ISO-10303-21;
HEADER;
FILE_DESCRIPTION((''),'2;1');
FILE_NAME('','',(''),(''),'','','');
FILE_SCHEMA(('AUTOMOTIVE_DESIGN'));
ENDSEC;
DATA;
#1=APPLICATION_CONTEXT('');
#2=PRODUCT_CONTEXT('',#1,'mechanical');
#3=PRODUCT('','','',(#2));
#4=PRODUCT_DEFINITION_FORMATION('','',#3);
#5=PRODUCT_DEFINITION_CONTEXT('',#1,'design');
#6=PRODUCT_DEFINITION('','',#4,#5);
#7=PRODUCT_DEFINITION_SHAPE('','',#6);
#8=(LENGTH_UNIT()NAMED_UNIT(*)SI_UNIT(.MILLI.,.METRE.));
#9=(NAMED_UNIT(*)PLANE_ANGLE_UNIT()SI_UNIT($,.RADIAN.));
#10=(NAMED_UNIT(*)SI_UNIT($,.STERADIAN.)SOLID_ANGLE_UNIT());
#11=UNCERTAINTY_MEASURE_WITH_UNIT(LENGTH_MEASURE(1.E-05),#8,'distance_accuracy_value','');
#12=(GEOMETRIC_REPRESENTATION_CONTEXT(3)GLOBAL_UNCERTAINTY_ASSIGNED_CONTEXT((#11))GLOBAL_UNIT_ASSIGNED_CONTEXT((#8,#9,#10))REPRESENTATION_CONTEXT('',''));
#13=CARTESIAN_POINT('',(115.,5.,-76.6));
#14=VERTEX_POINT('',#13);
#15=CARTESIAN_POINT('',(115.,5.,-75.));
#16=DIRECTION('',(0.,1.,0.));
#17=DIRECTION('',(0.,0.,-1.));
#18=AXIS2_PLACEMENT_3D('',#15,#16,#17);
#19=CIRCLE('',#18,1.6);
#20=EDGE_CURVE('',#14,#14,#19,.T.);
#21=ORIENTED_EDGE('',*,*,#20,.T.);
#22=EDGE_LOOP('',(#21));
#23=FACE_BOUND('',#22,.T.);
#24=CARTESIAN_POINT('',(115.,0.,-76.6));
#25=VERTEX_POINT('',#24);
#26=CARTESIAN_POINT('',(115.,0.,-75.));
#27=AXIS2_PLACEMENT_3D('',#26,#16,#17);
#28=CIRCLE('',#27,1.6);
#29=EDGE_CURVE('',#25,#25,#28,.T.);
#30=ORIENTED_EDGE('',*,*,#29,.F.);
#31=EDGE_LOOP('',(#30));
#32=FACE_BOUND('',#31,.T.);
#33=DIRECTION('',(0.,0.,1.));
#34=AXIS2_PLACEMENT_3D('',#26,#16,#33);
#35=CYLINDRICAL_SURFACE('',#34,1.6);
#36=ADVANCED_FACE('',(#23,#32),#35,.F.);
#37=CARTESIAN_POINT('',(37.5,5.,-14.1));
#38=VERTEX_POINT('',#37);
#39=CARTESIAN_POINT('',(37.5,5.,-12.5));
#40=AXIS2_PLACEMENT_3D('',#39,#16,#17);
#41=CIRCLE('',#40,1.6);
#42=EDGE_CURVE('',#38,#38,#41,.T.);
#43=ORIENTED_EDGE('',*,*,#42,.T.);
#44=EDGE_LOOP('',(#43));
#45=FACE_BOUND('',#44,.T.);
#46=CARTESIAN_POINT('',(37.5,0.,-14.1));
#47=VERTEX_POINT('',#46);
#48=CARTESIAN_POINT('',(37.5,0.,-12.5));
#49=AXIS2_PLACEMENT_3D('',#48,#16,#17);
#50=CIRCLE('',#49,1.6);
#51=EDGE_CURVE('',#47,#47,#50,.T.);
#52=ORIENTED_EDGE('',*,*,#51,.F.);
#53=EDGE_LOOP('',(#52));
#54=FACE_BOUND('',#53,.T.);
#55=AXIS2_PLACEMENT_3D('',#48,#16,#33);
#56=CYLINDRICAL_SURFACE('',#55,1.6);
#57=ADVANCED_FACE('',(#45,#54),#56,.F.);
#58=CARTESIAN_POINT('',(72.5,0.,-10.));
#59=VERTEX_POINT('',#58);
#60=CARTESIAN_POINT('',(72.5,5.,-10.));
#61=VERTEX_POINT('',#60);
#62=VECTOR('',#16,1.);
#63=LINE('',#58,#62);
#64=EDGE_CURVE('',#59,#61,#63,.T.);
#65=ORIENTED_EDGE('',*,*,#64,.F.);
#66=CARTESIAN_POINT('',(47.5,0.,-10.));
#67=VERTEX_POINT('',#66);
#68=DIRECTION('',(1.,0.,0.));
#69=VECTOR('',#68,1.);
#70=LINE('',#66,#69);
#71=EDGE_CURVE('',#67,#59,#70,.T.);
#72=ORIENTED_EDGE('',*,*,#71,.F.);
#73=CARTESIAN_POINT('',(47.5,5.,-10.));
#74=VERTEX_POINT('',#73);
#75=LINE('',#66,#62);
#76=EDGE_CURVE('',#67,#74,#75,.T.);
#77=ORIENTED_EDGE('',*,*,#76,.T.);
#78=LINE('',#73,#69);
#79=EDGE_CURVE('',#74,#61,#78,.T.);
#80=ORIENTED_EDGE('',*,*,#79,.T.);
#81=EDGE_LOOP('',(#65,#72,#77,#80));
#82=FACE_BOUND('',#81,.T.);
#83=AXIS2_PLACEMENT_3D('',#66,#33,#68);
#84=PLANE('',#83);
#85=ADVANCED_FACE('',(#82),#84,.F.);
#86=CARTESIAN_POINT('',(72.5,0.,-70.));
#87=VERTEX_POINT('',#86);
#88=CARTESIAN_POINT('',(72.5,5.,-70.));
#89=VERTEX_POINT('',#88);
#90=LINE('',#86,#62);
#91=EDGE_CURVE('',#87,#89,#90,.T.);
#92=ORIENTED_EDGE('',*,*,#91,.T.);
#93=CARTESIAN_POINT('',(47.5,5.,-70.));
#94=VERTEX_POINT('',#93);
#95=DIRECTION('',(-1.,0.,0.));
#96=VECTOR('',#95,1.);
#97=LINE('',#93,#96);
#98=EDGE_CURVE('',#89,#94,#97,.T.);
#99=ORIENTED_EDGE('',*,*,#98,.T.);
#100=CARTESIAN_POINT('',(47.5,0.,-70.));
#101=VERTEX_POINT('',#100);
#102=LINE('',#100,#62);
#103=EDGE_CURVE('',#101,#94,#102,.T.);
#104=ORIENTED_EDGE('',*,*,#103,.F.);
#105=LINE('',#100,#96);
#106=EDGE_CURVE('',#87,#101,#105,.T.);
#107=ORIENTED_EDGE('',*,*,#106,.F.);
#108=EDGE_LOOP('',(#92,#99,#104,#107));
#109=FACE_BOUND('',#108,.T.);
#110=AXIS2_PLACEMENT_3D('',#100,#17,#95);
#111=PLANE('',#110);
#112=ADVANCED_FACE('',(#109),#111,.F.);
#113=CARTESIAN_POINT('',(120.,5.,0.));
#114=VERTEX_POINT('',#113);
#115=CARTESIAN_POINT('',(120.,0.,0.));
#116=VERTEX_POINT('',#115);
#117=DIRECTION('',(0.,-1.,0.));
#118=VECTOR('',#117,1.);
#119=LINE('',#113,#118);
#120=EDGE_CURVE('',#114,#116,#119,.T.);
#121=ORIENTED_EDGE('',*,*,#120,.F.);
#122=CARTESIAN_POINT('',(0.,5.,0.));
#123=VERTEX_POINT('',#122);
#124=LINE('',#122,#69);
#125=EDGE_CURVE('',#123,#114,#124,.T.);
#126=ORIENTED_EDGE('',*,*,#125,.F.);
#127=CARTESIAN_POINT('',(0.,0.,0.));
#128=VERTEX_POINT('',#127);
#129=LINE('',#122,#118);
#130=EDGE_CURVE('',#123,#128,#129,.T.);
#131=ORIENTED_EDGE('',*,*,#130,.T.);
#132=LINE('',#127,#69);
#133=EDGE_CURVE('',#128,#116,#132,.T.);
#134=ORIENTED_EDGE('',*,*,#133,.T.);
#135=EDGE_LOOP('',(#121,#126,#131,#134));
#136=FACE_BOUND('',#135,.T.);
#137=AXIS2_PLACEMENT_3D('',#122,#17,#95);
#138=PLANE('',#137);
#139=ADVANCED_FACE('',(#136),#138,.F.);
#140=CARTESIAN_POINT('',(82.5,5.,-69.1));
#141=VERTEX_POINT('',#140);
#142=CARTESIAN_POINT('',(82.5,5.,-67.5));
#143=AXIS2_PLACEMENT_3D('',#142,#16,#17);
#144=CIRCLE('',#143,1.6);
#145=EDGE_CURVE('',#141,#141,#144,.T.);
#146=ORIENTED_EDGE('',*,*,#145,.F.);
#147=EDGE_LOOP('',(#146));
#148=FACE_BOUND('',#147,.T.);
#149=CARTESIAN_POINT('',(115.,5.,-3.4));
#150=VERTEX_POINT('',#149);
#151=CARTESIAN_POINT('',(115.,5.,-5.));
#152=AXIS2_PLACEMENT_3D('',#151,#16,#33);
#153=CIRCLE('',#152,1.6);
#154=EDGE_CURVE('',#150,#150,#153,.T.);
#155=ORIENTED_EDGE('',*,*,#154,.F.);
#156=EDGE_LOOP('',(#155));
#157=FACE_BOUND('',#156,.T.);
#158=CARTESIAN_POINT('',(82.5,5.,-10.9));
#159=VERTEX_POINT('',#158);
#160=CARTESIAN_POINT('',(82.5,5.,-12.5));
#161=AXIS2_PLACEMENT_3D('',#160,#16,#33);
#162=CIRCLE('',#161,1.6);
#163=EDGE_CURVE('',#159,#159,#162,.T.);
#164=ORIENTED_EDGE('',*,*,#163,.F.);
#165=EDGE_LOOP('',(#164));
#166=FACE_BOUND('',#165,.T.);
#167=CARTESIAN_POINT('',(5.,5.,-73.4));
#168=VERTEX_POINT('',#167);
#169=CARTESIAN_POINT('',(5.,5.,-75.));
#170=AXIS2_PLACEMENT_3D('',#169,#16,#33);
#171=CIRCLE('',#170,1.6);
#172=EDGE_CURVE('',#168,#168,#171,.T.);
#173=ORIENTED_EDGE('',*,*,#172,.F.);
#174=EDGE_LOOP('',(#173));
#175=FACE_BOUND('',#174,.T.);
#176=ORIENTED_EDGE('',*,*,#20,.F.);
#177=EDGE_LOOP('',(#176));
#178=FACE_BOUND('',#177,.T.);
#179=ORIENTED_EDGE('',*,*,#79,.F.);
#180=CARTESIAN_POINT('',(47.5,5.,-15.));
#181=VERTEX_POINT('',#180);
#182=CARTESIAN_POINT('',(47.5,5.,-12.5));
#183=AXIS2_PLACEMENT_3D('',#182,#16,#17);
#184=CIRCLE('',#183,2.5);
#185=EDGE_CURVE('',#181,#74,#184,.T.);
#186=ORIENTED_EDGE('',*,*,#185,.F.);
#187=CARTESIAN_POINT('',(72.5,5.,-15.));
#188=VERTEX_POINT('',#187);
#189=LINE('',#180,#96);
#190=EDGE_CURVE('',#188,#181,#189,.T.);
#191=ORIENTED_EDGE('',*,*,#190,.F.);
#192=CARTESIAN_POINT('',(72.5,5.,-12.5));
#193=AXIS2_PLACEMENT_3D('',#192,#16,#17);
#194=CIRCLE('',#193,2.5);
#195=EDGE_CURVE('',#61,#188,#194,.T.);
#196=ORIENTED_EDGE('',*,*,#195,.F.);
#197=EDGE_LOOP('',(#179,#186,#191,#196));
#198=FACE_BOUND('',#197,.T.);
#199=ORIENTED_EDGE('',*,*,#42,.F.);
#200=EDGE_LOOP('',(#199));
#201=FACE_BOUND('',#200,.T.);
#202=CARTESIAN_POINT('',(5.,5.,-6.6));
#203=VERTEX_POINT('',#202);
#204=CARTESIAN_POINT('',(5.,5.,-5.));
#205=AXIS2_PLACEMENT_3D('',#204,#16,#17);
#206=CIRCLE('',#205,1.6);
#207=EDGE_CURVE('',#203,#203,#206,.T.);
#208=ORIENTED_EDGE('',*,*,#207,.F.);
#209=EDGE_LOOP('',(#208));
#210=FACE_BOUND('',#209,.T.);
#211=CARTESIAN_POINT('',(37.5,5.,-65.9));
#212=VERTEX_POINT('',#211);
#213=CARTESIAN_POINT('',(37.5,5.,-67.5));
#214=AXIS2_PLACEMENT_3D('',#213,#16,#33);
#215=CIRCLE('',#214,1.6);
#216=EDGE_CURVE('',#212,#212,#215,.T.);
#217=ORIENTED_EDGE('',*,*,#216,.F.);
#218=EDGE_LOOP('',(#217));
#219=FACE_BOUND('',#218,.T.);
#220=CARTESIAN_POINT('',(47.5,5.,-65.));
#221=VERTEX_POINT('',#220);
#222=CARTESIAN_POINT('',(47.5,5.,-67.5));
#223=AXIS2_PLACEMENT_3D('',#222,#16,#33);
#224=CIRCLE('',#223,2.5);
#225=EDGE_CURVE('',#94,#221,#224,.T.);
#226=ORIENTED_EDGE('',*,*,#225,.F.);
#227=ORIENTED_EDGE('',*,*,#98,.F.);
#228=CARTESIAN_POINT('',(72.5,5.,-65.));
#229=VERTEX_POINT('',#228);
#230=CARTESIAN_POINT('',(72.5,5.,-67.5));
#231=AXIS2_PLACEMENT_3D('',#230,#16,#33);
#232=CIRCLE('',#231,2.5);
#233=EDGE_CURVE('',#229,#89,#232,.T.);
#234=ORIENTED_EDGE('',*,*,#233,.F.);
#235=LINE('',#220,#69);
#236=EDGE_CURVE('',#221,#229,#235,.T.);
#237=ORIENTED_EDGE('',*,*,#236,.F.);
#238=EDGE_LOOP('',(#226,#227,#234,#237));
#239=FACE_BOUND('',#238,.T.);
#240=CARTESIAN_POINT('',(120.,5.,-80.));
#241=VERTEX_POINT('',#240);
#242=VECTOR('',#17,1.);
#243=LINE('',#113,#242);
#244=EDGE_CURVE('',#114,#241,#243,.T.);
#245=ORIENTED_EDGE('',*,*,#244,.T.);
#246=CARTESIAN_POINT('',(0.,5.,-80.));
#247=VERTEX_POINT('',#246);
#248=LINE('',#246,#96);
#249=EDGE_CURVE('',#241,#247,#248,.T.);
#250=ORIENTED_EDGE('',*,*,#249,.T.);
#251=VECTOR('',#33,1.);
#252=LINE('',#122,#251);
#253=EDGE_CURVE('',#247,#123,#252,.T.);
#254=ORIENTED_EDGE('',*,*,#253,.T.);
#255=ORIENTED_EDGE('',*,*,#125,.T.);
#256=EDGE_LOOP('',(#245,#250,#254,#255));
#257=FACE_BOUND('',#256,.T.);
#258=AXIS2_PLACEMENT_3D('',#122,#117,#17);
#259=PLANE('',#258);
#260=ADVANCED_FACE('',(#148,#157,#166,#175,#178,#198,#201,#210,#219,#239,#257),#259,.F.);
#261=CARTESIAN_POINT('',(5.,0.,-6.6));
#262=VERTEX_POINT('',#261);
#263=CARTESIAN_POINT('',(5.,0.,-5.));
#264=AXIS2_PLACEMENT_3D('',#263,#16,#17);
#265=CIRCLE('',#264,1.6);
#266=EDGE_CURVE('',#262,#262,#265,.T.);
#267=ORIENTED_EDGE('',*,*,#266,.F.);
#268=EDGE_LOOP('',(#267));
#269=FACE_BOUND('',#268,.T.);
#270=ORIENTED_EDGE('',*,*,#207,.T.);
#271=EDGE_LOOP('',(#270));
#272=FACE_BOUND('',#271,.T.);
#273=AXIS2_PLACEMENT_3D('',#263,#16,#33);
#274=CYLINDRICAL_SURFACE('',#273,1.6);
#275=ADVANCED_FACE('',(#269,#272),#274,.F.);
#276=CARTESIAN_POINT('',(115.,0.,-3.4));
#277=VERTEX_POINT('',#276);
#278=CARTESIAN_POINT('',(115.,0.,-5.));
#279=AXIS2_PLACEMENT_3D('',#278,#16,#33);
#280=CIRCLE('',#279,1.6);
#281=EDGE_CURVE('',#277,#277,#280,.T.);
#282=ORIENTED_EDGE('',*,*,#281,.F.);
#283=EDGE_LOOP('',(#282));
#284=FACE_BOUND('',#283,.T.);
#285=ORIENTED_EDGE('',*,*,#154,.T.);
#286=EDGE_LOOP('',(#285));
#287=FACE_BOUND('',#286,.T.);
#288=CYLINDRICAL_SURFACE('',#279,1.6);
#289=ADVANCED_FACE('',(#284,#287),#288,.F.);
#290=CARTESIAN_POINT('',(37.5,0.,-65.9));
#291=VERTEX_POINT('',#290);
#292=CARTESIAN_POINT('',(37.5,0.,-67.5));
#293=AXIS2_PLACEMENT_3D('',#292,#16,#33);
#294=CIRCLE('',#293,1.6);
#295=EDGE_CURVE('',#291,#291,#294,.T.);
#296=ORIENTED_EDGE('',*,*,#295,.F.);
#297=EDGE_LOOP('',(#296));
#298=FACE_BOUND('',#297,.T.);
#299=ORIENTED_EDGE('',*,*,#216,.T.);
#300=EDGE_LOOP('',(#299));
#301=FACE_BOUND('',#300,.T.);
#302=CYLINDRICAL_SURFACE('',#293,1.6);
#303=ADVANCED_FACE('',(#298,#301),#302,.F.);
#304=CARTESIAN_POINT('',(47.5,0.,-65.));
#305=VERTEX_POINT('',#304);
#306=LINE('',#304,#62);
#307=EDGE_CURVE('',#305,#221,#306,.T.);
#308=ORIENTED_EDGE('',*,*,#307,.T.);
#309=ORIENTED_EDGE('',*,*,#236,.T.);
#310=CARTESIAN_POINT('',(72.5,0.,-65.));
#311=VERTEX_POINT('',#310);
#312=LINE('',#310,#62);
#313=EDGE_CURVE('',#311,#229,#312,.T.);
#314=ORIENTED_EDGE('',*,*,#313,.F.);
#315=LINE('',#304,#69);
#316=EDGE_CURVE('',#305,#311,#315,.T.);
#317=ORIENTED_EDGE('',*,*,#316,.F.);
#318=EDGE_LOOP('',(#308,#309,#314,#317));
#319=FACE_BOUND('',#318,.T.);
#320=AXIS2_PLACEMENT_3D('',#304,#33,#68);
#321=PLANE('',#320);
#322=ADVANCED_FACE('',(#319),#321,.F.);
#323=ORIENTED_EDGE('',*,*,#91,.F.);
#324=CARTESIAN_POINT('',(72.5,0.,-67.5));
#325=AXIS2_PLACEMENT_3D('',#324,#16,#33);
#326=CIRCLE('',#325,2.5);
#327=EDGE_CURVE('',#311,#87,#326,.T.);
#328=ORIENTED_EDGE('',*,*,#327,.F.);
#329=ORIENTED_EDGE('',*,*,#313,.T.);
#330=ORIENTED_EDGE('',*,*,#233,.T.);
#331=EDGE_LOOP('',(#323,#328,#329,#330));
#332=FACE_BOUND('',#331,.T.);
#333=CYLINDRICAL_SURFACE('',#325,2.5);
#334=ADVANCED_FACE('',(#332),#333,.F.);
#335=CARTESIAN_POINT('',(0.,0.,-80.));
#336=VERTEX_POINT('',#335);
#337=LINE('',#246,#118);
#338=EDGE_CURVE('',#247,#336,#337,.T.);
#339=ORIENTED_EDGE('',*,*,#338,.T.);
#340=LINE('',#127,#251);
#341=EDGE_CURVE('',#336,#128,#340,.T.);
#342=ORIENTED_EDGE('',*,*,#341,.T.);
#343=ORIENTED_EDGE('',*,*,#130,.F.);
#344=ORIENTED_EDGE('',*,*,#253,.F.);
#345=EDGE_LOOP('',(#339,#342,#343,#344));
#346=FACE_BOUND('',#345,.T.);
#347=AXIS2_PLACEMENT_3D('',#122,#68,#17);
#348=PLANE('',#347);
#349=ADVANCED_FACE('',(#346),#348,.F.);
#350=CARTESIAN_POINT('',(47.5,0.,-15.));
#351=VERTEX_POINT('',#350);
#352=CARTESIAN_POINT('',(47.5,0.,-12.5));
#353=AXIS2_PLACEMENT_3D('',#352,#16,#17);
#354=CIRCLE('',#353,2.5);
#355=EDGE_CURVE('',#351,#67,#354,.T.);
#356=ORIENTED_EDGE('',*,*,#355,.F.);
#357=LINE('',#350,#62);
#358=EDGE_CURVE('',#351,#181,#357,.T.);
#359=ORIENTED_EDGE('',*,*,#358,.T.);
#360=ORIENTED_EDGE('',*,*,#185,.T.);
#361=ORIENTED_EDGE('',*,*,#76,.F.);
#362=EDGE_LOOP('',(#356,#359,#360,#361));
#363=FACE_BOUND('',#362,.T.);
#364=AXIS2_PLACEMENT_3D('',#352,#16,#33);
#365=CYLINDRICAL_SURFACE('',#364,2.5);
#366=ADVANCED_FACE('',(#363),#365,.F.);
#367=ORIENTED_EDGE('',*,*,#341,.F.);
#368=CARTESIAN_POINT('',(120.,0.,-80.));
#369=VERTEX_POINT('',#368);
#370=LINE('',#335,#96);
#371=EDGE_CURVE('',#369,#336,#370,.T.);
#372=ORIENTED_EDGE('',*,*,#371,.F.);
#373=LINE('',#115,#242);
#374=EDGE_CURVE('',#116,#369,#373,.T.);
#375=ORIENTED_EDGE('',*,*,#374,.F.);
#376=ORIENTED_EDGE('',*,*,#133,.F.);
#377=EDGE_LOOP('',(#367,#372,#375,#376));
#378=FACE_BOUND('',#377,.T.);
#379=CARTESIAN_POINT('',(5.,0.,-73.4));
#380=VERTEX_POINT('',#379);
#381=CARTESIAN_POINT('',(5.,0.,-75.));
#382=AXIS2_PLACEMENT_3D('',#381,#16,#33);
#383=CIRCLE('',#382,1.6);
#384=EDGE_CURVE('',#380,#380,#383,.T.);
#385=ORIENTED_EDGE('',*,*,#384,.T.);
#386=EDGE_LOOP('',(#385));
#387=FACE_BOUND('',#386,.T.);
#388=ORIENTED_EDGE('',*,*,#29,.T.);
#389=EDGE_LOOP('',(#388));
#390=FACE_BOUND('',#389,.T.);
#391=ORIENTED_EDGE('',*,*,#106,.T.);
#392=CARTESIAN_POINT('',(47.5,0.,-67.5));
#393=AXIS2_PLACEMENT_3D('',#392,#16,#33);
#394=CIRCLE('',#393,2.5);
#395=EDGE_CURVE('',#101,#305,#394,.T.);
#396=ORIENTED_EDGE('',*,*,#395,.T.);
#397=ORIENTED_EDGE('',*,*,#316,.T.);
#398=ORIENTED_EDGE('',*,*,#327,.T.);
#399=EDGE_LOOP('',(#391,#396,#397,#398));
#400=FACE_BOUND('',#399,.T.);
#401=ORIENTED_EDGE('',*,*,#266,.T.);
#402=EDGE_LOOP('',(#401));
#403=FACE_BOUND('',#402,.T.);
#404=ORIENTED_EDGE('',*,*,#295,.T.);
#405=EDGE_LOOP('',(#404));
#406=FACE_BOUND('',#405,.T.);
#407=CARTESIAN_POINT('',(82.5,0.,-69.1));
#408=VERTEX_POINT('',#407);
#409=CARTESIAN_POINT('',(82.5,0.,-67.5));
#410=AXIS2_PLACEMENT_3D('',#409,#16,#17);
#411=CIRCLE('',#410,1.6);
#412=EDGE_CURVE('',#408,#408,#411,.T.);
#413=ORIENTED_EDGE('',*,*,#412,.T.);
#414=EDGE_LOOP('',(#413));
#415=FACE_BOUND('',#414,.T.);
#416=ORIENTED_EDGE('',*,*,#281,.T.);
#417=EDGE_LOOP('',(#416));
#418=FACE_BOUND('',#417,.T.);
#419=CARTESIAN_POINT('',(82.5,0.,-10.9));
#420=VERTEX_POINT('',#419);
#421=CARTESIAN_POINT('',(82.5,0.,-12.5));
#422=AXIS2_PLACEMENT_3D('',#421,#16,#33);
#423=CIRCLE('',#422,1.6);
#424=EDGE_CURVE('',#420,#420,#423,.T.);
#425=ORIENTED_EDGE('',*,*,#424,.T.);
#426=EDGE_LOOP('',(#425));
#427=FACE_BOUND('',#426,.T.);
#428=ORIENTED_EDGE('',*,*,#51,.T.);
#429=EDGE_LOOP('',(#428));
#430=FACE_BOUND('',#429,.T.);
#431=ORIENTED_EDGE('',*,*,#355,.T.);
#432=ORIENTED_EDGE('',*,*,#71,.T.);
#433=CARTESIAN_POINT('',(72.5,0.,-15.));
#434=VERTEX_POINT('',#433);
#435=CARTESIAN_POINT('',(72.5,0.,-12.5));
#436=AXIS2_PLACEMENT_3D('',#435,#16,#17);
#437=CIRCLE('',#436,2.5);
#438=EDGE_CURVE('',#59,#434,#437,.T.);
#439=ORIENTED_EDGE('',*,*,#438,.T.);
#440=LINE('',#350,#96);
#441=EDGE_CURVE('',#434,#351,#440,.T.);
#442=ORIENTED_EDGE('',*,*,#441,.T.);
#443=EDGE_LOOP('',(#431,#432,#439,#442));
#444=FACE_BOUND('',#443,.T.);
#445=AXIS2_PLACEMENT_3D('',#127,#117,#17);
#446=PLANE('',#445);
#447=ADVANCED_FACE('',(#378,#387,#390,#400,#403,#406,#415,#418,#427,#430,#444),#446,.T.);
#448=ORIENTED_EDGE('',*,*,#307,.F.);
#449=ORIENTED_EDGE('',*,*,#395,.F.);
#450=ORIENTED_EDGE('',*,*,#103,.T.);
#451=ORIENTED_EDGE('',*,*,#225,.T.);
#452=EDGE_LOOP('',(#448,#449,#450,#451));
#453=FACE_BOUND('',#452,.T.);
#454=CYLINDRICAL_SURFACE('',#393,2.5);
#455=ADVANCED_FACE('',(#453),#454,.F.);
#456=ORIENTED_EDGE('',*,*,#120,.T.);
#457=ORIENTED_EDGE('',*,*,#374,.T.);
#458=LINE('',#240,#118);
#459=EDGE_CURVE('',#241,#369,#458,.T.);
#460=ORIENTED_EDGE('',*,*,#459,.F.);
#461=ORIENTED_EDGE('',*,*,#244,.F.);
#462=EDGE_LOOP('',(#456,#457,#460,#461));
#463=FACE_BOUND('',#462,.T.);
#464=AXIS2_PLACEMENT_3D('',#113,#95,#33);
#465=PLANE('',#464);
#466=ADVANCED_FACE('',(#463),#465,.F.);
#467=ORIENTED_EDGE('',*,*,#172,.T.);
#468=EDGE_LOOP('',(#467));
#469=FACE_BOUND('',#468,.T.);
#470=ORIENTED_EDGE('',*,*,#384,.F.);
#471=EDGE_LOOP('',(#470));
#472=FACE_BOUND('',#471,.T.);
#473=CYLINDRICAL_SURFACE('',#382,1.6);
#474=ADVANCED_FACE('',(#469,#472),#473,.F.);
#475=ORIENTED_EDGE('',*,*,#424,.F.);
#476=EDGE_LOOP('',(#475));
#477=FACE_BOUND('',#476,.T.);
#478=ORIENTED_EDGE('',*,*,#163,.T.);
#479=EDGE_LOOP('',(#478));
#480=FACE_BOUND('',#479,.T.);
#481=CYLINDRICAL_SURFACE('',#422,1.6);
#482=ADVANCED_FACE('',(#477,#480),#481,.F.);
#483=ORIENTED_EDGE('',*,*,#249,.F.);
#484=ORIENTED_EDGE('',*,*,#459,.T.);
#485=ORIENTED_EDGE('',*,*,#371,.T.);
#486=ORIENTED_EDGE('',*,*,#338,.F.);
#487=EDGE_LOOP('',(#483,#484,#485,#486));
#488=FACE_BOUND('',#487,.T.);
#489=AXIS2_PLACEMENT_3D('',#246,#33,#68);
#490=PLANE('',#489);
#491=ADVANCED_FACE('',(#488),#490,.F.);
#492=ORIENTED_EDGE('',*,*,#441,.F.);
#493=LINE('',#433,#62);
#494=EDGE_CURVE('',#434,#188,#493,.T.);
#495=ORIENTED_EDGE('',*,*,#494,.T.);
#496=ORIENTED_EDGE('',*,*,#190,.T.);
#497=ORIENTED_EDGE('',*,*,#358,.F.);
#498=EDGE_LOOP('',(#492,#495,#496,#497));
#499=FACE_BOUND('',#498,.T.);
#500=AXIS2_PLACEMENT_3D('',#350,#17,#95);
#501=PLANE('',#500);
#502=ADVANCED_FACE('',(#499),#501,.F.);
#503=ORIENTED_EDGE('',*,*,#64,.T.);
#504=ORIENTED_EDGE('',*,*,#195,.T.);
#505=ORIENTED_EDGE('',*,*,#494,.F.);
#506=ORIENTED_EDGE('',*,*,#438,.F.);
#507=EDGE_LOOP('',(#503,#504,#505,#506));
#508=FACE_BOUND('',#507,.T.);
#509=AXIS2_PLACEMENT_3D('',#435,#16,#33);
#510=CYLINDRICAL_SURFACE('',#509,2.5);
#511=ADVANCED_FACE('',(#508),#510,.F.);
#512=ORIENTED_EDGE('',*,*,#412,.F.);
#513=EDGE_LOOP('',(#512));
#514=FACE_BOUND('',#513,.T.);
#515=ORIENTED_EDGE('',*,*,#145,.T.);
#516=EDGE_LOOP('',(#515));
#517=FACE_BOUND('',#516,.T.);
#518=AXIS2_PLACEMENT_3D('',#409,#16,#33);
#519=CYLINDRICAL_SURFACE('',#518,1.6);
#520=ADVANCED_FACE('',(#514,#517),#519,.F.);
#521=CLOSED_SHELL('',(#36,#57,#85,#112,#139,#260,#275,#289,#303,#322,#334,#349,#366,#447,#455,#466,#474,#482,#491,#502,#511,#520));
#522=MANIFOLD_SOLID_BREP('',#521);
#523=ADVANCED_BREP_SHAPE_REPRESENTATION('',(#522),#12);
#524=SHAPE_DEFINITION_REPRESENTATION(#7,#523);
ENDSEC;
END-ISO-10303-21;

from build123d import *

# Parameters (mm, degrees)
ESQUISSE1_W             = 120
ESQUISSE1_H             = 80
BOSS_EXTRU_1_DEPTH      = 5
ESQUISSE2_R             = 1.6
ENL_V_MAT_EXTRU_1_DEPTH = 145.308696897


with BuildPart() as part:
    # Esquisse1 → Boss.-Extru.1 (new body)
    with BuildSketch(Plane(origin=(0, 0, 0), x_dir=(1, 0, 0), z_dir=(0, 1, 0))):
        with Locations((60, 40)):
            Rectangle(ESQUISSE1_W, ESQUISSE1_H)
    extrude(amount=BOSS_EXTRU_1_DEPTH)

    # Esquisse2 → Enlèv. mat.-Extru.1 (cut, through all)
    with BuildSketch(Plane(origin=(0, 5, 0), x_dir=(1, 0, 0), z_dir=(0, 1, 0))):
        with Locations(Location((37.5, 67.5, 0), (0, 0, 270))):
            Circle(ESQUISSE2_R)
        with Locations(Location((82.5, 67.5, 0), (0, 0, 90))):
            Circle(ESQUISSE2_R)
        with Locations(Location((82.5, 12.5, 0), (0, 0, 270))):
            Circle(ESQUISSE2_R)
        with Locations(Location((37.5, 12.5, 0), (0, 0, 90))):
            Circle(ESQUISSE2_R)
        with Locations(Location((5, 75, 0), (0, 0, 270))):
            Circle(ESQUISSE2_R)
        with Locations(Location((115, 75, 0), (0, 0, 90))):
            Circle(ESQUISSE2_R)
        with Locations(Location((115, 5, 0), (0, 0, 270))):
            Circle(ESQUISSE2_R)
        with Locations(Location((5, 5, 0), (0, 0, 90))):
            Circle(ESQUISSE2_R)
        with BuildLine():
            Line((47.5, 70), (72.5, 70))
            ThreePointArc((72.5, 70), (75, 67.5), (72.5, 65))
            Line((72.5, 65), (47.5, 65))
            ThreePointArc((47.5, 65), (45, 67.5), (47.5, 70))
        make_face()
        with BuildLine():
            Line((47.5, 10), (72.5, 10))
            ThreePointArc((72.5, 10), (75, 12.5), (72.5, 15))
            Line((72.5, 15), (47.5, 15))
            ThreePointArc((47.5, 15), (45, 12.5), (47.5, 10))
        make_face()
    extrude(amount=-ENL_V_MAT_EXTRU_1_DEPTH, mode=Mode.SUBTRACT)


solid = part.part
